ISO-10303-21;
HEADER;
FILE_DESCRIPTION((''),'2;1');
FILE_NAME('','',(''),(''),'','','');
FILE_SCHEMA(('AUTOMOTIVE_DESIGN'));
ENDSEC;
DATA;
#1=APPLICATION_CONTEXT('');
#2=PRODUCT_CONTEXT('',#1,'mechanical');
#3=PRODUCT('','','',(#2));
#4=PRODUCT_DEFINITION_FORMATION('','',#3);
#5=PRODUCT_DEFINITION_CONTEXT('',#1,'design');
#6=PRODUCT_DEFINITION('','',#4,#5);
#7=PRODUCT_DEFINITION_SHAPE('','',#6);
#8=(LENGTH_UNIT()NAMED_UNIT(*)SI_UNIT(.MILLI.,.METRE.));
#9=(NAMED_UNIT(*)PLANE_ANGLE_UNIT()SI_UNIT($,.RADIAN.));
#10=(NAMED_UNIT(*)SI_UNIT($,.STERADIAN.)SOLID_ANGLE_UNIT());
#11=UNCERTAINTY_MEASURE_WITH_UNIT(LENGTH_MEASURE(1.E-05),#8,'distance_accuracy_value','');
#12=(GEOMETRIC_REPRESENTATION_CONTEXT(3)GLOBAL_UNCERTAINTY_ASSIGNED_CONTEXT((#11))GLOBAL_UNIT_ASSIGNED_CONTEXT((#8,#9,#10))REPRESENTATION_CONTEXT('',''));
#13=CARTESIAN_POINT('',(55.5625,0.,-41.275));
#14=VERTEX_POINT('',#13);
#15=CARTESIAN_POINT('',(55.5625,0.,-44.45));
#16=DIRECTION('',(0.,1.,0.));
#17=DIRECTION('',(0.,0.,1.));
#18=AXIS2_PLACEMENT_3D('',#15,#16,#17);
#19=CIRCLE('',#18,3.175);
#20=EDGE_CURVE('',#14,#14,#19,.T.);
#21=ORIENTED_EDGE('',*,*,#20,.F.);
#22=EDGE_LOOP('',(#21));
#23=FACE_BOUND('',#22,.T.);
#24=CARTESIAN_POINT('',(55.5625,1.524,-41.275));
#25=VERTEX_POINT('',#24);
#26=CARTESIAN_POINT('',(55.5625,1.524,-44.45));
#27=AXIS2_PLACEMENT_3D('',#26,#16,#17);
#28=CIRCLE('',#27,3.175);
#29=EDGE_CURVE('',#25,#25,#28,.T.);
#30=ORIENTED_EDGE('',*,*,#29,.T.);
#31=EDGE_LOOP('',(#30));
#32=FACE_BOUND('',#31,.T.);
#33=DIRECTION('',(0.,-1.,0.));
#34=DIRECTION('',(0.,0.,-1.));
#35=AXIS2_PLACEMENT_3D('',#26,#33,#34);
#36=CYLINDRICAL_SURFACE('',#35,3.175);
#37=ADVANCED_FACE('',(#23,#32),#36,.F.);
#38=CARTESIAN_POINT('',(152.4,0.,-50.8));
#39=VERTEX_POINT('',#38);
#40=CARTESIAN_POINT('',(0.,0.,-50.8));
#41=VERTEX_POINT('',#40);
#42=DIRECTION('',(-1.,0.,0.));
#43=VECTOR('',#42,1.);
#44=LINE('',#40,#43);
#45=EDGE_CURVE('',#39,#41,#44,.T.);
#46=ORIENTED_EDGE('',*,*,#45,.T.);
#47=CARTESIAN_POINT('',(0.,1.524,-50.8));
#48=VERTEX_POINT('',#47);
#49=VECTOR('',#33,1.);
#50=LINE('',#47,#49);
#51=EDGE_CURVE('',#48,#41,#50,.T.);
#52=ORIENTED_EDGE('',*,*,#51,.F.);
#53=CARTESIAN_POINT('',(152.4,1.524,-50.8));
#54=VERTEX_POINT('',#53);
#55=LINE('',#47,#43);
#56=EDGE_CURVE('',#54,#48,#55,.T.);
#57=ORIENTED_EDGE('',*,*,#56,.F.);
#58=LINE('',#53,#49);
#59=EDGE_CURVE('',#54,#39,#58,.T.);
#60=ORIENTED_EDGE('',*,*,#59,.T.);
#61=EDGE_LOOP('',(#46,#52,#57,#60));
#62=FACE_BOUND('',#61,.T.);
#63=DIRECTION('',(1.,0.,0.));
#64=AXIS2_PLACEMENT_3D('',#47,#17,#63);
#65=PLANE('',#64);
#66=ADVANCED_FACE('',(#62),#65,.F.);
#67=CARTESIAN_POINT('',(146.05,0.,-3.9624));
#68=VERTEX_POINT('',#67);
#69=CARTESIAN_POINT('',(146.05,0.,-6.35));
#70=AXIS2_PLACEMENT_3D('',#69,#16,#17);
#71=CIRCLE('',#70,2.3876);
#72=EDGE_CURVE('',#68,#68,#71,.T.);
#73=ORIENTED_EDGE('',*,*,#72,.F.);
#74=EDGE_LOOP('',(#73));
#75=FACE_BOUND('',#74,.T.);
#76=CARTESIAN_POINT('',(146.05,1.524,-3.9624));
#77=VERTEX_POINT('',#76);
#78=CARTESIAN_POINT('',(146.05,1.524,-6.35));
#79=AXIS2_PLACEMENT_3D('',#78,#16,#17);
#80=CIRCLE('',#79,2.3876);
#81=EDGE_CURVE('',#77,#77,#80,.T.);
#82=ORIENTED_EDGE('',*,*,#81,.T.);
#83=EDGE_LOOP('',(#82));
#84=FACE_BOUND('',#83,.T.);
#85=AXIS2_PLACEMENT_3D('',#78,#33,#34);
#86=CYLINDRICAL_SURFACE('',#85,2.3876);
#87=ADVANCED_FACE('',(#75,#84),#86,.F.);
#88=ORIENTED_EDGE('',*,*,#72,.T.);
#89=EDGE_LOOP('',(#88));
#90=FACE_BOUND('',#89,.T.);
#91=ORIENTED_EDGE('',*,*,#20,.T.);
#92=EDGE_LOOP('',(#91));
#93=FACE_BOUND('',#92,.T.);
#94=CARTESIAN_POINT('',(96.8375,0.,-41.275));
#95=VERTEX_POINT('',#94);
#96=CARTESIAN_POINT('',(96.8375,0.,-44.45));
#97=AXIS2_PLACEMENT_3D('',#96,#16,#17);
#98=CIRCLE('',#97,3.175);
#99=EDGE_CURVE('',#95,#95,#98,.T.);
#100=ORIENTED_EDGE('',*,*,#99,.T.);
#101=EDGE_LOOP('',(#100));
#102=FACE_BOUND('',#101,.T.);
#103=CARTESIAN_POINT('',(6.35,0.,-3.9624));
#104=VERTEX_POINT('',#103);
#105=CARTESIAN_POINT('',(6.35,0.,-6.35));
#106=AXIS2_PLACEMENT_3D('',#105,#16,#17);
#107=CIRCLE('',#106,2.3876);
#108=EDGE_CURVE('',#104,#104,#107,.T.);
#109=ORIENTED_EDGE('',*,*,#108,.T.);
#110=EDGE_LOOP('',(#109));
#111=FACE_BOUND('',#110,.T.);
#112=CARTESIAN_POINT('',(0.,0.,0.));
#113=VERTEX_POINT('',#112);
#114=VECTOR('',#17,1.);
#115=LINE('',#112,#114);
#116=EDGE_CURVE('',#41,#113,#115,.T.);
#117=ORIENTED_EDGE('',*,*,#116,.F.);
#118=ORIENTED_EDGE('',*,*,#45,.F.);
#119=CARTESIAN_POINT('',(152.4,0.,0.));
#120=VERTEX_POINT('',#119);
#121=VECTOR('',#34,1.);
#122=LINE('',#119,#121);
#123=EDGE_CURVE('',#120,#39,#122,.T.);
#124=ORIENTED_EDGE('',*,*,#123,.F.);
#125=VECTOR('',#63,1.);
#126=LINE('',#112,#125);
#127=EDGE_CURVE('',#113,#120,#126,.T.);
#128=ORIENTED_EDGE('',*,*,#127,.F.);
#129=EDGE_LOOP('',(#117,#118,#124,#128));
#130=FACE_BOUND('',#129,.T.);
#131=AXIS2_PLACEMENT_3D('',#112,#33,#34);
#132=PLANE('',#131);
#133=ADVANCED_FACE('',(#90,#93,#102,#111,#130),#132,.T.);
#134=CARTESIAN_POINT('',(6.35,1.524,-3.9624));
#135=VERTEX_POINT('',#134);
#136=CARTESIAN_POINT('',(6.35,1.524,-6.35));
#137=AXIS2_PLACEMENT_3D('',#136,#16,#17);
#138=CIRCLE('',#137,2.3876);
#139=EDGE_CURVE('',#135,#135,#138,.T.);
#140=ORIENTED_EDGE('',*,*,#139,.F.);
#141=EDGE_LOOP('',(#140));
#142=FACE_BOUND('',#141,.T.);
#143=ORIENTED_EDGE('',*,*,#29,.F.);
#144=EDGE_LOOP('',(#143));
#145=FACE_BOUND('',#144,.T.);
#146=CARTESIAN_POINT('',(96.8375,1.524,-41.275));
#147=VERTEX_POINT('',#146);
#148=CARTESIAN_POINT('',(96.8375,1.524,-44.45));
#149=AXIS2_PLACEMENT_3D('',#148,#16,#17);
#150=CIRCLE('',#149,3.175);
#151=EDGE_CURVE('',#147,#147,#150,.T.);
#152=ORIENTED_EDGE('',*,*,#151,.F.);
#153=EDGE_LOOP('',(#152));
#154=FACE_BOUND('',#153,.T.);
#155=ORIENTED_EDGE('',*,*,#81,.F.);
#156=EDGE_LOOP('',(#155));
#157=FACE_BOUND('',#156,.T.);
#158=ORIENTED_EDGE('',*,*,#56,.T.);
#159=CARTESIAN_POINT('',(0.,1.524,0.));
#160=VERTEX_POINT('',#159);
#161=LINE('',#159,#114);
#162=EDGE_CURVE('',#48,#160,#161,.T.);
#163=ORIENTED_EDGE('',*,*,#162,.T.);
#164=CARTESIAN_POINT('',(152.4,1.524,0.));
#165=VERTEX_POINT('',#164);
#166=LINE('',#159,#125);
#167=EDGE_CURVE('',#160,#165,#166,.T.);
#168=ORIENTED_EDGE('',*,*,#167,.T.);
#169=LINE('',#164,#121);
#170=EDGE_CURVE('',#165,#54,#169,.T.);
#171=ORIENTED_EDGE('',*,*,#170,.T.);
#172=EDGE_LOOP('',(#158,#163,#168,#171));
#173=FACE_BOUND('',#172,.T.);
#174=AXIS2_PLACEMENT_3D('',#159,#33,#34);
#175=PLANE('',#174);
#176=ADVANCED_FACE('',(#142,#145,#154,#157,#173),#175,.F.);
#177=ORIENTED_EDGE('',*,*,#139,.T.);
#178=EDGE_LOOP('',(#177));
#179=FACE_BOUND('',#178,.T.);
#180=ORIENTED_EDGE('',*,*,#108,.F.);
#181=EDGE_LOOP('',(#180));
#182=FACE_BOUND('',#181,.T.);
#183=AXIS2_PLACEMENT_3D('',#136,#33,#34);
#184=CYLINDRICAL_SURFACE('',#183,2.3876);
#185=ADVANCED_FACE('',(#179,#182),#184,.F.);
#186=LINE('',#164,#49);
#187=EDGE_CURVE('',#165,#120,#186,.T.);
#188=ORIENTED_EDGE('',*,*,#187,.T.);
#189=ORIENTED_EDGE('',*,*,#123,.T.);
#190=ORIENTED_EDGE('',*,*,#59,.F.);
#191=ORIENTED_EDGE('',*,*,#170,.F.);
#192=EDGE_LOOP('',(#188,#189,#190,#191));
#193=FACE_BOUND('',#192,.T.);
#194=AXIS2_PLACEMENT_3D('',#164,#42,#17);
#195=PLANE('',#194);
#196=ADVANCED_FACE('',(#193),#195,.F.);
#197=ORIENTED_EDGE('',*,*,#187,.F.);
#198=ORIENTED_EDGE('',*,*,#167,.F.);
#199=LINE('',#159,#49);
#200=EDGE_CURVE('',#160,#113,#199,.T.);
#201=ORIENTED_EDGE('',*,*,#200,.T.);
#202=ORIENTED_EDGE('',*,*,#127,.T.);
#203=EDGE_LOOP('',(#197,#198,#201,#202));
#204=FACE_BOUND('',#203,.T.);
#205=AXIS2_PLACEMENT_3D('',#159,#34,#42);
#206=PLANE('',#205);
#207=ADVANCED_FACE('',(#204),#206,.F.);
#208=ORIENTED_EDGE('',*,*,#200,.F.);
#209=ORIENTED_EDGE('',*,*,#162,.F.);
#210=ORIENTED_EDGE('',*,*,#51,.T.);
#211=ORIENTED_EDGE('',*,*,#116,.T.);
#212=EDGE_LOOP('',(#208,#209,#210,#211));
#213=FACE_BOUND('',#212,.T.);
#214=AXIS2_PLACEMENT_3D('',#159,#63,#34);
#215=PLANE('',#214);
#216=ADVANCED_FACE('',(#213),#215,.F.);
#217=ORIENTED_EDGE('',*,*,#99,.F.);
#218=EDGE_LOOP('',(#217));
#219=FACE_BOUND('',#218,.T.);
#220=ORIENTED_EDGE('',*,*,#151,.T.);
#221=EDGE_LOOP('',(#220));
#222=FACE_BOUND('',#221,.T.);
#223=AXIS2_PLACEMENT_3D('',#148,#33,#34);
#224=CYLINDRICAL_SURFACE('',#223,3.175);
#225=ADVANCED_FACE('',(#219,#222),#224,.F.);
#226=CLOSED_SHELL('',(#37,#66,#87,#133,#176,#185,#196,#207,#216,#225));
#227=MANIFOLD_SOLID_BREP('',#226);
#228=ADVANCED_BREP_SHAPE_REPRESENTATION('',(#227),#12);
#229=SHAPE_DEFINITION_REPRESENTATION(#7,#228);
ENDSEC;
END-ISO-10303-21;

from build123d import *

# Parameters (mm, degrees)
SKETCH1_W           = 152.4
SKETCH1_H           = 50.8
SKETCH1_R           = 2.3876
SKETCH1_R_2         = 3.175
BOSS_EXTRUDE1_DEPTH = 1.524


with BuildPart() as part:
    # Sketch1 → Boss-Extrude1 (new body)
    with BuildSketch(Plane(origin=(0, 0, 0), x_dir=(1, 0, 0), z_dir=(0, 1, 0))):
        with Locations((76.2, 25.4)):
            Rectangle(SKETCH1_W, SKETCH1_H)
        with Locations((6.35, 6.35)):
            Circle(SKETCH1_R, mode=Mode.SUBTRACT)
        with Locations((55.5625, 44.45)):
            Circle(SKETCH1_R_2, mode=Mode.SUBTRACT)
        with Locations((146.05, 6.35)):
            Circle(SKETCH1_R, mode=Mode.SUBTRACT)
        with Locations((96.8375, 44.45)):
            Circle(SKETCH1_R_2, mode=Mode.SUBTRACT)
    extrude(amount=BOSS_EXTRUDE1_DEPTH)


solid = part.part
